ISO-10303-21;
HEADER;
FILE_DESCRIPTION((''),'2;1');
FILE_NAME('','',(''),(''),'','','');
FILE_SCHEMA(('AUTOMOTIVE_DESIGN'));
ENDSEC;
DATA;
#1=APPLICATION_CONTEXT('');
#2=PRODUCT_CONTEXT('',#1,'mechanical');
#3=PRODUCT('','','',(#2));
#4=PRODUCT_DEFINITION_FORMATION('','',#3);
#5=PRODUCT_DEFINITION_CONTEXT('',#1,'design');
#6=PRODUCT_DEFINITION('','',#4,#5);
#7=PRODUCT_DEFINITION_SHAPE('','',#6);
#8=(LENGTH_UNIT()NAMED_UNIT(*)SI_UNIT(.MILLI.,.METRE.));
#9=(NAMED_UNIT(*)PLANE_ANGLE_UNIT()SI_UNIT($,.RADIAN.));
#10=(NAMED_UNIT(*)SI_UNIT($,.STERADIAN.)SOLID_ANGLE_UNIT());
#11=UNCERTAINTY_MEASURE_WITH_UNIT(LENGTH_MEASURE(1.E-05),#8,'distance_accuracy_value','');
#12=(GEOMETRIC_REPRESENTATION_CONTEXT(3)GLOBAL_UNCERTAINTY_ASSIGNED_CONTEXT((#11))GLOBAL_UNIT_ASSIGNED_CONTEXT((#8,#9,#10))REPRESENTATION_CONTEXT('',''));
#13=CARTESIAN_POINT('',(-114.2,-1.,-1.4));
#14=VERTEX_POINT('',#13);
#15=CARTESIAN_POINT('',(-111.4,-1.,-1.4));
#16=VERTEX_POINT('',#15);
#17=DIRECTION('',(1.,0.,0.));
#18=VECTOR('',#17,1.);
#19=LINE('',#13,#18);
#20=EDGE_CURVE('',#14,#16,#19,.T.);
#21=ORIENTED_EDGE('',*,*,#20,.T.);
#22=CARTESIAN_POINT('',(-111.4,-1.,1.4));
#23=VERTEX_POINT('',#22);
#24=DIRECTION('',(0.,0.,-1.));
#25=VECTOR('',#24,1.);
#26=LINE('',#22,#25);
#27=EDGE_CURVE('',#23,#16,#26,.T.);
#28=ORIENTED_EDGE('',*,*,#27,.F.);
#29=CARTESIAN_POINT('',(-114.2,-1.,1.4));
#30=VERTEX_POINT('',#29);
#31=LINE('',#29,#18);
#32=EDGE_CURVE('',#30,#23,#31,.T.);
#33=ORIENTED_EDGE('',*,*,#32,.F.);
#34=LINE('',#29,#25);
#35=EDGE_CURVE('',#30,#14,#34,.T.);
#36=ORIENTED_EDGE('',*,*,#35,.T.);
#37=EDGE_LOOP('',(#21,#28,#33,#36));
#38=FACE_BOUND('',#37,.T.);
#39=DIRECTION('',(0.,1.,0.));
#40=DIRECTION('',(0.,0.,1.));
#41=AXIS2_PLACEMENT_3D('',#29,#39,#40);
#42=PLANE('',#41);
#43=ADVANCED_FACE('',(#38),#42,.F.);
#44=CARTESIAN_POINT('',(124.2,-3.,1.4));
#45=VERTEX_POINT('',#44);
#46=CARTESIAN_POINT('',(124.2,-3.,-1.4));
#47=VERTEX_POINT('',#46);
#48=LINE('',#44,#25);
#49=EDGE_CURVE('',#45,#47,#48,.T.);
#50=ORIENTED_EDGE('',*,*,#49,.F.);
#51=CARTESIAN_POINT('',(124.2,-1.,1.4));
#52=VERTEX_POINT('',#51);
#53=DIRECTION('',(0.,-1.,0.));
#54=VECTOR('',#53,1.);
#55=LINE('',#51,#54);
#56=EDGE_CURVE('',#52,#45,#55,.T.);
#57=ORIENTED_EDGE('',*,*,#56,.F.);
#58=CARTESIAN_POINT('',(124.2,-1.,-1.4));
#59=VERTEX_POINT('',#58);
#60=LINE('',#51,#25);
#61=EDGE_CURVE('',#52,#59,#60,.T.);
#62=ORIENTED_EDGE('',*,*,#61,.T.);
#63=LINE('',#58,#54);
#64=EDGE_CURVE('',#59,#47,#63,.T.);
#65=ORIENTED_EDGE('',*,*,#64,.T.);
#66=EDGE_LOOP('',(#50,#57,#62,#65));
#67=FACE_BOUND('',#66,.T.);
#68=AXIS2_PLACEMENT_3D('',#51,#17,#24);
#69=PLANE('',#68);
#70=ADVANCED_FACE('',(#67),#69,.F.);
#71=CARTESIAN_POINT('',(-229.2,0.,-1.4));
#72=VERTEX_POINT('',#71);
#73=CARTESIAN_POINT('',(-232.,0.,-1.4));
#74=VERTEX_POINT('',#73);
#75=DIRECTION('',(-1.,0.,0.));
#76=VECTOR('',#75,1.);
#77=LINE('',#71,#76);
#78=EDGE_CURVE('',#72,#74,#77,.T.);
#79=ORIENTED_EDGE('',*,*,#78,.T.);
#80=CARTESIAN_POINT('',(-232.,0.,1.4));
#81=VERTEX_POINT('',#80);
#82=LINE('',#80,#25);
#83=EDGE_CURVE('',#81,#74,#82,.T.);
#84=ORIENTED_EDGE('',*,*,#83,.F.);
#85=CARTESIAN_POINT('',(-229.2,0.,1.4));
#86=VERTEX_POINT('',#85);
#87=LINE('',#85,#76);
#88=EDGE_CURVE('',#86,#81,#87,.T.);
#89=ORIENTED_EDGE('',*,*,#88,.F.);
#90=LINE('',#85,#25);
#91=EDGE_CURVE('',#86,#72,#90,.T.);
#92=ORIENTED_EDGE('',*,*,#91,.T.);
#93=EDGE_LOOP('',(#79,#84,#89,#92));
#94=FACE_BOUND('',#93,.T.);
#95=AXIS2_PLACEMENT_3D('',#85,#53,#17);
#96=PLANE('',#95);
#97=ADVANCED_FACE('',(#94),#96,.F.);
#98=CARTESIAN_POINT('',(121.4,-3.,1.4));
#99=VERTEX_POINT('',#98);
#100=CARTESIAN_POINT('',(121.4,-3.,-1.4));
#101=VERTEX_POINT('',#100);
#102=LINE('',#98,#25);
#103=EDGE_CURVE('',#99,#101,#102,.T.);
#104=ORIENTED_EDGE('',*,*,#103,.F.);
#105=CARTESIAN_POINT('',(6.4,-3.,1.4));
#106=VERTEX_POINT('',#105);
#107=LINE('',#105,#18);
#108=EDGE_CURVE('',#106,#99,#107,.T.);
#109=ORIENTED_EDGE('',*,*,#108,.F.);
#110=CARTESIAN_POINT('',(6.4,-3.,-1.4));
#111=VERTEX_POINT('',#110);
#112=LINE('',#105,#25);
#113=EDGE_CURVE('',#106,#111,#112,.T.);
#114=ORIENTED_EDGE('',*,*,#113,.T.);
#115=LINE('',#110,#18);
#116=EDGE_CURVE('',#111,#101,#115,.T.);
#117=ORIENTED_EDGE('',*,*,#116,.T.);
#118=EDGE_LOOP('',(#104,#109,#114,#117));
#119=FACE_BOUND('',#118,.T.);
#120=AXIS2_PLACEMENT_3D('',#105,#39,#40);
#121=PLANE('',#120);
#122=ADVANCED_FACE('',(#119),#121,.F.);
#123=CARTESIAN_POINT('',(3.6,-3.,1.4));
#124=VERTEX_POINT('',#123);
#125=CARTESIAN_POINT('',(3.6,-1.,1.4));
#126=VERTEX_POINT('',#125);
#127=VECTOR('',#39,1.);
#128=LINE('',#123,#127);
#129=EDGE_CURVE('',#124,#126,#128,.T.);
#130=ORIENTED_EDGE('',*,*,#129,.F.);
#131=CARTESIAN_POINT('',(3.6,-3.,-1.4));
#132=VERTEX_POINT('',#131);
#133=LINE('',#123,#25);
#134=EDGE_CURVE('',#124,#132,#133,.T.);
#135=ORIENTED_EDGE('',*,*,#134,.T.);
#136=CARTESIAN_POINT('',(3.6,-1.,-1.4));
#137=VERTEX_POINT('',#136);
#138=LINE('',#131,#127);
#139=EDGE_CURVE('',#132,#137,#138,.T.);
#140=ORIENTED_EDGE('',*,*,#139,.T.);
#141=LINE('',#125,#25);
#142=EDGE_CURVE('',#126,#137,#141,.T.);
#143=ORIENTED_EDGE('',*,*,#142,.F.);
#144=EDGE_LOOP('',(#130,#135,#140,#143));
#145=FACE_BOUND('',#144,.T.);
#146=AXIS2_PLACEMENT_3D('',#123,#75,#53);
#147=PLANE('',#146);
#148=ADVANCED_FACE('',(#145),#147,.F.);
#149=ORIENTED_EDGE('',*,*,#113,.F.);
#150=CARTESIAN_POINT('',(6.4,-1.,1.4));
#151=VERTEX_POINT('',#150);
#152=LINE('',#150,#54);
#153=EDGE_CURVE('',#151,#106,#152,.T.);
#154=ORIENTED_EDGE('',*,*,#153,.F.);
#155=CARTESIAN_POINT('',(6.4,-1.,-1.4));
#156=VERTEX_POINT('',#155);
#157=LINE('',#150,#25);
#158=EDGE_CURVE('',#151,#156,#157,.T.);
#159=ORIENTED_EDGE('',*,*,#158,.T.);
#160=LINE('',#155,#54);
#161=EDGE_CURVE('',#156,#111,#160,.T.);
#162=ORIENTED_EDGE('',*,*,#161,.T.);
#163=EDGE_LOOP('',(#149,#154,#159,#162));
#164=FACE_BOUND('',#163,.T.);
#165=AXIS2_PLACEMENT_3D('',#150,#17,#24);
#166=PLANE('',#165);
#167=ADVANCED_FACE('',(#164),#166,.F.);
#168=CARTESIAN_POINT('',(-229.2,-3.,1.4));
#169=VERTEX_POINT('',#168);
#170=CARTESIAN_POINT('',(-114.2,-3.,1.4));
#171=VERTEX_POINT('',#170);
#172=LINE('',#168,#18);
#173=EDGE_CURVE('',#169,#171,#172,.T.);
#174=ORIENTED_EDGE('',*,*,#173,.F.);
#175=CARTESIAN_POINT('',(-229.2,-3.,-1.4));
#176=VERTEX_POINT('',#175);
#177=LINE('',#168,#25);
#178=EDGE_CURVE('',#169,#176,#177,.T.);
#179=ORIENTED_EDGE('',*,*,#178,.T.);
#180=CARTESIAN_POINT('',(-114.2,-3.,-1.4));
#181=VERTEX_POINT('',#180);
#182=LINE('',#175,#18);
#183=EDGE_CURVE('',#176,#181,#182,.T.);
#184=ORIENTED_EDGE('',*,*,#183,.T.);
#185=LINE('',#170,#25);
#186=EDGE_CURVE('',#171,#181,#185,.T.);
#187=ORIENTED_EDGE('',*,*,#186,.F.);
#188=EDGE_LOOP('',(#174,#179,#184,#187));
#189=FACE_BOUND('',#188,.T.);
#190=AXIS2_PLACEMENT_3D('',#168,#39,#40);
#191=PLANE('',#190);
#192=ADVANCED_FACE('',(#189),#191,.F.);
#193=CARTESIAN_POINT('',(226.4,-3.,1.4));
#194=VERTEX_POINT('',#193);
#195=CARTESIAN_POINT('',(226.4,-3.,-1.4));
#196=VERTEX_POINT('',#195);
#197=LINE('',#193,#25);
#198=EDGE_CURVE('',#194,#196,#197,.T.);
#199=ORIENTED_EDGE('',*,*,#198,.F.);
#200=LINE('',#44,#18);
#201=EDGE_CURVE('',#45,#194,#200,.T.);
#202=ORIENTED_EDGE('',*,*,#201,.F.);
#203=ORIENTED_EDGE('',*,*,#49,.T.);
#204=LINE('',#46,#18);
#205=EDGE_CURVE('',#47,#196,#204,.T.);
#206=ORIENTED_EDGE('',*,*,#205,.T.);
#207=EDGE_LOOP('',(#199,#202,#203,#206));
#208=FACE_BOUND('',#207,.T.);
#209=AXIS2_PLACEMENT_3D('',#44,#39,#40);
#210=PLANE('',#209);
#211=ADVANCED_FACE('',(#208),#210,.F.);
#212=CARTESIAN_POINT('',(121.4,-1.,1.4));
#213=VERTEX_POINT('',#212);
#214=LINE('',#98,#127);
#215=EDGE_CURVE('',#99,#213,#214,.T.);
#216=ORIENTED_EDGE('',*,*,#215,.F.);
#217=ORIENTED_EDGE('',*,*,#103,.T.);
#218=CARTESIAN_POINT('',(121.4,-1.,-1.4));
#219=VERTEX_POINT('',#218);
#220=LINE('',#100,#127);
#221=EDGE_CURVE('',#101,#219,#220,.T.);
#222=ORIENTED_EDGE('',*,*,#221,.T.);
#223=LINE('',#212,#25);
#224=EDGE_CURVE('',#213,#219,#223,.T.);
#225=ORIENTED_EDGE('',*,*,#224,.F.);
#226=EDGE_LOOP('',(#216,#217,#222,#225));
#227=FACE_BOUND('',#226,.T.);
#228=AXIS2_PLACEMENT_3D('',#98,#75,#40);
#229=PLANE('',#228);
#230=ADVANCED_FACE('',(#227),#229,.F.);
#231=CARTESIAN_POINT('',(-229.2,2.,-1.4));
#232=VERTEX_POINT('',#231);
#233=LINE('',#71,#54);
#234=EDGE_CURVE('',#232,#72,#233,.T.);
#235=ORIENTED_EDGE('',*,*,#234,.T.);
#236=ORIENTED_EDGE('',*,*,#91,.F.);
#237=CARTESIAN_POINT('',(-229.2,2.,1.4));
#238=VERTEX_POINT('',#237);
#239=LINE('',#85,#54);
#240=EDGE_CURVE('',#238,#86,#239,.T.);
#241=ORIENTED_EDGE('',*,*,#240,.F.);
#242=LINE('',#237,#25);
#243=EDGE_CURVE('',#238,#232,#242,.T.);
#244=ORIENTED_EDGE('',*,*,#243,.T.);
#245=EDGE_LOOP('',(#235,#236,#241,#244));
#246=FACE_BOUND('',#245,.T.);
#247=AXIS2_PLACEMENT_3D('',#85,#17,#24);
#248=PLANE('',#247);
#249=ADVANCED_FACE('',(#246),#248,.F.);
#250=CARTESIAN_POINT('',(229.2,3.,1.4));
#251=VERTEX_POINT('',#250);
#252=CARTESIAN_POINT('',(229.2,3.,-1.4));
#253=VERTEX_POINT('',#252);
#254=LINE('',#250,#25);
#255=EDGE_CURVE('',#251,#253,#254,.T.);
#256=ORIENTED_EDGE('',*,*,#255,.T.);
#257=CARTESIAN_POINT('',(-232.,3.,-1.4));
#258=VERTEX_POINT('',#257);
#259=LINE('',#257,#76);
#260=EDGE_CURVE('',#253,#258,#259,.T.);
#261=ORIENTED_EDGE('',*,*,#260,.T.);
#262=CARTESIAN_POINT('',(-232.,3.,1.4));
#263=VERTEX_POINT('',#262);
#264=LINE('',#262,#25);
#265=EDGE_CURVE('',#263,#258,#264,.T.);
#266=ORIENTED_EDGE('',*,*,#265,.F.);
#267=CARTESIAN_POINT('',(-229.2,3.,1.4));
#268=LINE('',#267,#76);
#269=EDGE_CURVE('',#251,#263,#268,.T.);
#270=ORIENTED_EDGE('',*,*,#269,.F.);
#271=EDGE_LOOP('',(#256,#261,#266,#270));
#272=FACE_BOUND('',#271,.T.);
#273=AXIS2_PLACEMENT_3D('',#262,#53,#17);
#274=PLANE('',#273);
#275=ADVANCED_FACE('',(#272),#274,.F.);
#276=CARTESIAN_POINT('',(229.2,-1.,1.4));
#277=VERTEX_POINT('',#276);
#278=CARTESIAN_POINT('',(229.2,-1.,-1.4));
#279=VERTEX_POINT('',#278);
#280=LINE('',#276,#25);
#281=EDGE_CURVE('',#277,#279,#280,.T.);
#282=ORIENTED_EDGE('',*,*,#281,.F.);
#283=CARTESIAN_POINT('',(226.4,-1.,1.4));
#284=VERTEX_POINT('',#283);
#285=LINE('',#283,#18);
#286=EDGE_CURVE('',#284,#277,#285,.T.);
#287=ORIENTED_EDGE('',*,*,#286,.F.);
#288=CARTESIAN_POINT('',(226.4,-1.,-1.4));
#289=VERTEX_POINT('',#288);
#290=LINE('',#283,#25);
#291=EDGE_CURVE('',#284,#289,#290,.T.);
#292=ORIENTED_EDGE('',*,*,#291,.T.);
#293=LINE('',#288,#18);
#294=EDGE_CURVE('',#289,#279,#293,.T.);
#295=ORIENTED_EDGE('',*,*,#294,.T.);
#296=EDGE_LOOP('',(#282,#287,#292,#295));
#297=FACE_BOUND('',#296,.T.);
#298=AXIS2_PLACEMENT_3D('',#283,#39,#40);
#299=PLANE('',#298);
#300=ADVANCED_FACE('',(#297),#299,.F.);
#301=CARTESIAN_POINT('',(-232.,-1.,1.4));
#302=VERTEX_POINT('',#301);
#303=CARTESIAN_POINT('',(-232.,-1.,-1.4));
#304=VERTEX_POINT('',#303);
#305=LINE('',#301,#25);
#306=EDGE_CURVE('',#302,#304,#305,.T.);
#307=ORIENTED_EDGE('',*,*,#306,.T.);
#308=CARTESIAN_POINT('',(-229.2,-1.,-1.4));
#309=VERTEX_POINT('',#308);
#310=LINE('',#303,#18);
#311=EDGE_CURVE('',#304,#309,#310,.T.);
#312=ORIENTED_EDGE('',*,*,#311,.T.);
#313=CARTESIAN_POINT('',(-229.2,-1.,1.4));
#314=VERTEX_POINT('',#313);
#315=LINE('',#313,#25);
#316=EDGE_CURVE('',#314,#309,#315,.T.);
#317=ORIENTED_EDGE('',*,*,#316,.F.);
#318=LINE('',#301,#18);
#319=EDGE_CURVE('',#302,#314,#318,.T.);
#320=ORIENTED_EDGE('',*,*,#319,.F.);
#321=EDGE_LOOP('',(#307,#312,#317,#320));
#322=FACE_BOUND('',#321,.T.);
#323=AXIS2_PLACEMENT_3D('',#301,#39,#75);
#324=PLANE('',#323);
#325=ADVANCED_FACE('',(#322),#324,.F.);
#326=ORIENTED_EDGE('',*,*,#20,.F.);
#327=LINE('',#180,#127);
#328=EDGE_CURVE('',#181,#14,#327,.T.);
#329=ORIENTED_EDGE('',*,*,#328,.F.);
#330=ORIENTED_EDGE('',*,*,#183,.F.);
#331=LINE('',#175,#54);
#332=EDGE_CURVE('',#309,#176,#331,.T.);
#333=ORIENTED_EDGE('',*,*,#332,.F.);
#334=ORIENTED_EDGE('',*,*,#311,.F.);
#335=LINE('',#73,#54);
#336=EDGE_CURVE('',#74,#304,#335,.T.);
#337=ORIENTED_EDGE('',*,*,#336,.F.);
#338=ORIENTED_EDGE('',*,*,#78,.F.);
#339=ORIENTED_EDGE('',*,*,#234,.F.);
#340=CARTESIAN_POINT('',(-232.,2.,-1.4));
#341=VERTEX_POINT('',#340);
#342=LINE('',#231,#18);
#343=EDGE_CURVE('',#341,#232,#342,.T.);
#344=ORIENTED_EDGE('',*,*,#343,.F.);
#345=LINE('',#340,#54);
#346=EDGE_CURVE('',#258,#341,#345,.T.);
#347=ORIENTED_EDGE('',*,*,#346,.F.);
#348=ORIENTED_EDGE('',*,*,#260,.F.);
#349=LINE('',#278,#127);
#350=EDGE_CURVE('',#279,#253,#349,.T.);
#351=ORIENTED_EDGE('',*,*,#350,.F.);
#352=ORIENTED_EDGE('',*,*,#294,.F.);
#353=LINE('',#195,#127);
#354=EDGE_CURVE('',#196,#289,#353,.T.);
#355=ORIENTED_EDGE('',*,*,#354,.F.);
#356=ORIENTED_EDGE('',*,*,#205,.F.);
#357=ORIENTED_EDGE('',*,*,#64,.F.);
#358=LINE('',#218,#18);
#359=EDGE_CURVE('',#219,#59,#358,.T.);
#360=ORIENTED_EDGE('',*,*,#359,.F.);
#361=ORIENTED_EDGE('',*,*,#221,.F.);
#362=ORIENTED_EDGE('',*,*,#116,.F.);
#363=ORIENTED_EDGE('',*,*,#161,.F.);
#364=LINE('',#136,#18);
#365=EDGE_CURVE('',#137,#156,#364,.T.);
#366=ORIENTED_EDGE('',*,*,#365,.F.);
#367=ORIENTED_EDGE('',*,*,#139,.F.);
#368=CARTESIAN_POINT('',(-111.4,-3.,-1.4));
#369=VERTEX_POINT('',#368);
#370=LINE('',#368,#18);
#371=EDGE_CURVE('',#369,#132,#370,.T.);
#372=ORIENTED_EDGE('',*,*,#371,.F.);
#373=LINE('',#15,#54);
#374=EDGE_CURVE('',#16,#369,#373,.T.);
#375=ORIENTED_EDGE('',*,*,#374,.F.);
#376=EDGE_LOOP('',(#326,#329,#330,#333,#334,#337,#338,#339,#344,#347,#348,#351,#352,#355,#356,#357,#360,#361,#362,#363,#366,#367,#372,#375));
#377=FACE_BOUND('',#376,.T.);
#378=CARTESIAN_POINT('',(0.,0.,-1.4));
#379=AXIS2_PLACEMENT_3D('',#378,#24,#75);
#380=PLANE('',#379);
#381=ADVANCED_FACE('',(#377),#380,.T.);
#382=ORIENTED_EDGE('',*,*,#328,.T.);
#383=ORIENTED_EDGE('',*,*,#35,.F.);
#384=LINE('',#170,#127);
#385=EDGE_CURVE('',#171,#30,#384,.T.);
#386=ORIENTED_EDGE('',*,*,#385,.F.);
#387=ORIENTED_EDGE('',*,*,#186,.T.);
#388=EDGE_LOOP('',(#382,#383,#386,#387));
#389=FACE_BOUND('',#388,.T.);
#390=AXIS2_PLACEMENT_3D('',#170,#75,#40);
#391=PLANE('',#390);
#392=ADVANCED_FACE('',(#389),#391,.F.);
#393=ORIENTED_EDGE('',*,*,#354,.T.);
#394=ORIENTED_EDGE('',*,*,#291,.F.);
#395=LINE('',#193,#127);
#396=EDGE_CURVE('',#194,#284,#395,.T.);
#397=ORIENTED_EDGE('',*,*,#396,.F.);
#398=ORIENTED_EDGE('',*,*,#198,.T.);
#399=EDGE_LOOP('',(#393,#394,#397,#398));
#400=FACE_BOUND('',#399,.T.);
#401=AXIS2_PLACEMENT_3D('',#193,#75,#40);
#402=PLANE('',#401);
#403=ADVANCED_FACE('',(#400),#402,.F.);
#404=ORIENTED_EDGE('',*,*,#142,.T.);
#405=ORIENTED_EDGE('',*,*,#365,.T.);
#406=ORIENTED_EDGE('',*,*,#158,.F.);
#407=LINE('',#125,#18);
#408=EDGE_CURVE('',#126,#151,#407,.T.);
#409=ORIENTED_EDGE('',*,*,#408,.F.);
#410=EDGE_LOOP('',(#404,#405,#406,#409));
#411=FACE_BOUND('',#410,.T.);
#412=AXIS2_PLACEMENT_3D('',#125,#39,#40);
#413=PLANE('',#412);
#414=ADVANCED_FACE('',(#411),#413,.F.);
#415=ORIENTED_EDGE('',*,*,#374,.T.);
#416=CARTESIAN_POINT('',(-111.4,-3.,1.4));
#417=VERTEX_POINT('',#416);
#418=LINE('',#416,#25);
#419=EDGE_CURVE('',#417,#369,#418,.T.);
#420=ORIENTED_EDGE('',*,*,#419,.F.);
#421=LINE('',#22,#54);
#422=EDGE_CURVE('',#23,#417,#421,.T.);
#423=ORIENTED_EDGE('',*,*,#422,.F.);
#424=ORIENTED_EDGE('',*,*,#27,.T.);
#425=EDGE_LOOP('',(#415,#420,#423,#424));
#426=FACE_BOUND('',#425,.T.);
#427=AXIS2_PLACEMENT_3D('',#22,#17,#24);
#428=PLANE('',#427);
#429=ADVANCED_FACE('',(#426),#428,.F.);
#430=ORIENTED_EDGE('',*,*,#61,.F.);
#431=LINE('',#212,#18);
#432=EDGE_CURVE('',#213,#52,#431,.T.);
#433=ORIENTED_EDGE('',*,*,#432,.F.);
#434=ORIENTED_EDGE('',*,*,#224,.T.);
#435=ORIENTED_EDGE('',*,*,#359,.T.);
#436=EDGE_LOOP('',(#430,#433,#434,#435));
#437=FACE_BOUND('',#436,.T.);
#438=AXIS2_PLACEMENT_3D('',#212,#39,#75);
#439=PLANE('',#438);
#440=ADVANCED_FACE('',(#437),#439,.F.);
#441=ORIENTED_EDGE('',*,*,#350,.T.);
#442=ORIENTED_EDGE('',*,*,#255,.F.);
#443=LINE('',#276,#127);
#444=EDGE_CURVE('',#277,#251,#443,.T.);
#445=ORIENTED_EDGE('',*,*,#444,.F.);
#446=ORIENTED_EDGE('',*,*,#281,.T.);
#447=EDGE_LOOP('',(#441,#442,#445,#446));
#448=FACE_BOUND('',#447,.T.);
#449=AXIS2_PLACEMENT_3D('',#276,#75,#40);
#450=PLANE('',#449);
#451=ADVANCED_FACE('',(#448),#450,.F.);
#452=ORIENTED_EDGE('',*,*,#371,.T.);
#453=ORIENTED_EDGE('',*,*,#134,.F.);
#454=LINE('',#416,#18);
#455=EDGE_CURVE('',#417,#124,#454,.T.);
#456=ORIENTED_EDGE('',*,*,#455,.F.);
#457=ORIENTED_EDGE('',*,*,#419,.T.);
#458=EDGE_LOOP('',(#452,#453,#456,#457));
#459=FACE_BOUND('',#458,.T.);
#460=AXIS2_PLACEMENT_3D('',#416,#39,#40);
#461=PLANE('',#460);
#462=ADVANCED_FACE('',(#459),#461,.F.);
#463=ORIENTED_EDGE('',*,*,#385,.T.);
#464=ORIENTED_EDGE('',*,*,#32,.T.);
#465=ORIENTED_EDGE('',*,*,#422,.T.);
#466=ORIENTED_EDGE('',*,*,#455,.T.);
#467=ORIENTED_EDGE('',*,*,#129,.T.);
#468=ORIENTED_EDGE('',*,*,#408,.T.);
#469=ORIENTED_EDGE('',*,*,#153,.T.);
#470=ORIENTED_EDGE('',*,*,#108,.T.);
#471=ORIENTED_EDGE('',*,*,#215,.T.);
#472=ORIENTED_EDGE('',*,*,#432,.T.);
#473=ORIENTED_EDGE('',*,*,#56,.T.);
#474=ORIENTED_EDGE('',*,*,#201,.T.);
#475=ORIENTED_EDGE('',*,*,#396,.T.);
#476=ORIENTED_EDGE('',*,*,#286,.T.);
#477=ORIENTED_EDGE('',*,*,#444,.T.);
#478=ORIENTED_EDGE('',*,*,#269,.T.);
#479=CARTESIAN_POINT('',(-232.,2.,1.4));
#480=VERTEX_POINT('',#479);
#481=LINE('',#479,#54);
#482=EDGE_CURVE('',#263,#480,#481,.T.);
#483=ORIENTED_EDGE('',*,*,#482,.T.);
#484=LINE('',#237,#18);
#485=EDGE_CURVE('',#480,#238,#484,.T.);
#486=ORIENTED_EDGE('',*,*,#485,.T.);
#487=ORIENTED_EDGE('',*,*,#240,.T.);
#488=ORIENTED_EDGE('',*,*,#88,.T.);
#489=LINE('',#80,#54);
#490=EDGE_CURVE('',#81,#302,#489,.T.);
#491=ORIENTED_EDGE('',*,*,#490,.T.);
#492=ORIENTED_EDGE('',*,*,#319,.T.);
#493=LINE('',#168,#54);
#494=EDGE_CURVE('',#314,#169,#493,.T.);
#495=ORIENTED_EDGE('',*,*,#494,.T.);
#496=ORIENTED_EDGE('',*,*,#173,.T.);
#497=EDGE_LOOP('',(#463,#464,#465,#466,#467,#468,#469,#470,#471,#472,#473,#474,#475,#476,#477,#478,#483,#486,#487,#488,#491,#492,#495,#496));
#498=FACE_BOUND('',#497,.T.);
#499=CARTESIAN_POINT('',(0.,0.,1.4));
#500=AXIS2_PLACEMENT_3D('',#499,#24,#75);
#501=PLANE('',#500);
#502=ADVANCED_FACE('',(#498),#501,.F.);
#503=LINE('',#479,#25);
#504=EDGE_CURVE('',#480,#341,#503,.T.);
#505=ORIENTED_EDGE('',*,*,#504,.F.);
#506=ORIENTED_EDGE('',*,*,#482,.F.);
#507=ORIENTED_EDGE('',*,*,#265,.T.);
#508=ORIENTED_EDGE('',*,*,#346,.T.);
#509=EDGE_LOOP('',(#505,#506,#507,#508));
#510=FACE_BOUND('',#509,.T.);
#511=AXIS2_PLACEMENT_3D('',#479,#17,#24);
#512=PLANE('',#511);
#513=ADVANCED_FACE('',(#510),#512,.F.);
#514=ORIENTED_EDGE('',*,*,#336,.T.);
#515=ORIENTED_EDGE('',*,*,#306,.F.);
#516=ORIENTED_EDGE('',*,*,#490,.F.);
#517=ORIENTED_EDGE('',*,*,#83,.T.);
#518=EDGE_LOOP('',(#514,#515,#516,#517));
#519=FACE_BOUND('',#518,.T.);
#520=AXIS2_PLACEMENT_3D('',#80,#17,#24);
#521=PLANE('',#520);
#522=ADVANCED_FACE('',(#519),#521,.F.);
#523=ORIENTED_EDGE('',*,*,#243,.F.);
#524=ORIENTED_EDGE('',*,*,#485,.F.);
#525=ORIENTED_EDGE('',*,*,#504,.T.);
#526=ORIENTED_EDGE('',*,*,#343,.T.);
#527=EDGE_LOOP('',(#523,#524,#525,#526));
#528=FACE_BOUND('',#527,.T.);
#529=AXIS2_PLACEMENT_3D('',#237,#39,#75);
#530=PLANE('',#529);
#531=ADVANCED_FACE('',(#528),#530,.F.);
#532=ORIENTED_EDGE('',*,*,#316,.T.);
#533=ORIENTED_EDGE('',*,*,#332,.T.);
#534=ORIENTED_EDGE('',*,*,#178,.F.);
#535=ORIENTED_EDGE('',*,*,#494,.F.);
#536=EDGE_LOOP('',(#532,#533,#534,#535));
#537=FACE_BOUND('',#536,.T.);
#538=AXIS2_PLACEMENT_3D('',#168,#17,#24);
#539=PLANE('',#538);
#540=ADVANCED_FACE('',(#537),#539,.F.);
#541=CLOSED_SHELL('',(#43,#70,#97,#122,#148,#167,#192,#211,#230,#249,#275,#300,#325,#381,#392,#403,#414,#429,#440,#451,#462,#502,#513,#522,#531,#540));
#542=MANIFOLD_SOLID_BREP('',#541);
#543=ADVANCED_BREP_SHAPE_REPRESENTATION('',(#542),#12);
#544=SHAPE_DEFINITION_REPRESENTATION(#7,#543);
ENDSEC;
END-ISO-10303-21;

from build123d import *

# Parameters (mm, degrees)
EXTRUDE_1_DEPTH = 1.4


with BuildPart() as part:
    # Эскиз2 → Бобышка-Вытянуть1 (new, symmetric)
    with BuildSketch(Plane.XY):
        Polygon((-229.2, -3), (-114.2, -3), (-114.2, -1), (-111.4, -1), (-111.4, -3), (3.6, -3), (3.6, -1), (6.4, -1), (6.4, -3), (121.4, -3), (121.4, -1), (124.2, -1), (124.2, -3), (226.4, -3), (226.4, -1), (229.2, -1), (229.2, 3), (-229.2, 3), (-232, 3), (-232, 2), (-229.2, 2), (-229.2, 0), (-232, 0), (-232, -1), (-229.2, -1), align=None)
    extrude(amount=EXTRUDE_1_DEPTH, both=True)


solid = part.part
